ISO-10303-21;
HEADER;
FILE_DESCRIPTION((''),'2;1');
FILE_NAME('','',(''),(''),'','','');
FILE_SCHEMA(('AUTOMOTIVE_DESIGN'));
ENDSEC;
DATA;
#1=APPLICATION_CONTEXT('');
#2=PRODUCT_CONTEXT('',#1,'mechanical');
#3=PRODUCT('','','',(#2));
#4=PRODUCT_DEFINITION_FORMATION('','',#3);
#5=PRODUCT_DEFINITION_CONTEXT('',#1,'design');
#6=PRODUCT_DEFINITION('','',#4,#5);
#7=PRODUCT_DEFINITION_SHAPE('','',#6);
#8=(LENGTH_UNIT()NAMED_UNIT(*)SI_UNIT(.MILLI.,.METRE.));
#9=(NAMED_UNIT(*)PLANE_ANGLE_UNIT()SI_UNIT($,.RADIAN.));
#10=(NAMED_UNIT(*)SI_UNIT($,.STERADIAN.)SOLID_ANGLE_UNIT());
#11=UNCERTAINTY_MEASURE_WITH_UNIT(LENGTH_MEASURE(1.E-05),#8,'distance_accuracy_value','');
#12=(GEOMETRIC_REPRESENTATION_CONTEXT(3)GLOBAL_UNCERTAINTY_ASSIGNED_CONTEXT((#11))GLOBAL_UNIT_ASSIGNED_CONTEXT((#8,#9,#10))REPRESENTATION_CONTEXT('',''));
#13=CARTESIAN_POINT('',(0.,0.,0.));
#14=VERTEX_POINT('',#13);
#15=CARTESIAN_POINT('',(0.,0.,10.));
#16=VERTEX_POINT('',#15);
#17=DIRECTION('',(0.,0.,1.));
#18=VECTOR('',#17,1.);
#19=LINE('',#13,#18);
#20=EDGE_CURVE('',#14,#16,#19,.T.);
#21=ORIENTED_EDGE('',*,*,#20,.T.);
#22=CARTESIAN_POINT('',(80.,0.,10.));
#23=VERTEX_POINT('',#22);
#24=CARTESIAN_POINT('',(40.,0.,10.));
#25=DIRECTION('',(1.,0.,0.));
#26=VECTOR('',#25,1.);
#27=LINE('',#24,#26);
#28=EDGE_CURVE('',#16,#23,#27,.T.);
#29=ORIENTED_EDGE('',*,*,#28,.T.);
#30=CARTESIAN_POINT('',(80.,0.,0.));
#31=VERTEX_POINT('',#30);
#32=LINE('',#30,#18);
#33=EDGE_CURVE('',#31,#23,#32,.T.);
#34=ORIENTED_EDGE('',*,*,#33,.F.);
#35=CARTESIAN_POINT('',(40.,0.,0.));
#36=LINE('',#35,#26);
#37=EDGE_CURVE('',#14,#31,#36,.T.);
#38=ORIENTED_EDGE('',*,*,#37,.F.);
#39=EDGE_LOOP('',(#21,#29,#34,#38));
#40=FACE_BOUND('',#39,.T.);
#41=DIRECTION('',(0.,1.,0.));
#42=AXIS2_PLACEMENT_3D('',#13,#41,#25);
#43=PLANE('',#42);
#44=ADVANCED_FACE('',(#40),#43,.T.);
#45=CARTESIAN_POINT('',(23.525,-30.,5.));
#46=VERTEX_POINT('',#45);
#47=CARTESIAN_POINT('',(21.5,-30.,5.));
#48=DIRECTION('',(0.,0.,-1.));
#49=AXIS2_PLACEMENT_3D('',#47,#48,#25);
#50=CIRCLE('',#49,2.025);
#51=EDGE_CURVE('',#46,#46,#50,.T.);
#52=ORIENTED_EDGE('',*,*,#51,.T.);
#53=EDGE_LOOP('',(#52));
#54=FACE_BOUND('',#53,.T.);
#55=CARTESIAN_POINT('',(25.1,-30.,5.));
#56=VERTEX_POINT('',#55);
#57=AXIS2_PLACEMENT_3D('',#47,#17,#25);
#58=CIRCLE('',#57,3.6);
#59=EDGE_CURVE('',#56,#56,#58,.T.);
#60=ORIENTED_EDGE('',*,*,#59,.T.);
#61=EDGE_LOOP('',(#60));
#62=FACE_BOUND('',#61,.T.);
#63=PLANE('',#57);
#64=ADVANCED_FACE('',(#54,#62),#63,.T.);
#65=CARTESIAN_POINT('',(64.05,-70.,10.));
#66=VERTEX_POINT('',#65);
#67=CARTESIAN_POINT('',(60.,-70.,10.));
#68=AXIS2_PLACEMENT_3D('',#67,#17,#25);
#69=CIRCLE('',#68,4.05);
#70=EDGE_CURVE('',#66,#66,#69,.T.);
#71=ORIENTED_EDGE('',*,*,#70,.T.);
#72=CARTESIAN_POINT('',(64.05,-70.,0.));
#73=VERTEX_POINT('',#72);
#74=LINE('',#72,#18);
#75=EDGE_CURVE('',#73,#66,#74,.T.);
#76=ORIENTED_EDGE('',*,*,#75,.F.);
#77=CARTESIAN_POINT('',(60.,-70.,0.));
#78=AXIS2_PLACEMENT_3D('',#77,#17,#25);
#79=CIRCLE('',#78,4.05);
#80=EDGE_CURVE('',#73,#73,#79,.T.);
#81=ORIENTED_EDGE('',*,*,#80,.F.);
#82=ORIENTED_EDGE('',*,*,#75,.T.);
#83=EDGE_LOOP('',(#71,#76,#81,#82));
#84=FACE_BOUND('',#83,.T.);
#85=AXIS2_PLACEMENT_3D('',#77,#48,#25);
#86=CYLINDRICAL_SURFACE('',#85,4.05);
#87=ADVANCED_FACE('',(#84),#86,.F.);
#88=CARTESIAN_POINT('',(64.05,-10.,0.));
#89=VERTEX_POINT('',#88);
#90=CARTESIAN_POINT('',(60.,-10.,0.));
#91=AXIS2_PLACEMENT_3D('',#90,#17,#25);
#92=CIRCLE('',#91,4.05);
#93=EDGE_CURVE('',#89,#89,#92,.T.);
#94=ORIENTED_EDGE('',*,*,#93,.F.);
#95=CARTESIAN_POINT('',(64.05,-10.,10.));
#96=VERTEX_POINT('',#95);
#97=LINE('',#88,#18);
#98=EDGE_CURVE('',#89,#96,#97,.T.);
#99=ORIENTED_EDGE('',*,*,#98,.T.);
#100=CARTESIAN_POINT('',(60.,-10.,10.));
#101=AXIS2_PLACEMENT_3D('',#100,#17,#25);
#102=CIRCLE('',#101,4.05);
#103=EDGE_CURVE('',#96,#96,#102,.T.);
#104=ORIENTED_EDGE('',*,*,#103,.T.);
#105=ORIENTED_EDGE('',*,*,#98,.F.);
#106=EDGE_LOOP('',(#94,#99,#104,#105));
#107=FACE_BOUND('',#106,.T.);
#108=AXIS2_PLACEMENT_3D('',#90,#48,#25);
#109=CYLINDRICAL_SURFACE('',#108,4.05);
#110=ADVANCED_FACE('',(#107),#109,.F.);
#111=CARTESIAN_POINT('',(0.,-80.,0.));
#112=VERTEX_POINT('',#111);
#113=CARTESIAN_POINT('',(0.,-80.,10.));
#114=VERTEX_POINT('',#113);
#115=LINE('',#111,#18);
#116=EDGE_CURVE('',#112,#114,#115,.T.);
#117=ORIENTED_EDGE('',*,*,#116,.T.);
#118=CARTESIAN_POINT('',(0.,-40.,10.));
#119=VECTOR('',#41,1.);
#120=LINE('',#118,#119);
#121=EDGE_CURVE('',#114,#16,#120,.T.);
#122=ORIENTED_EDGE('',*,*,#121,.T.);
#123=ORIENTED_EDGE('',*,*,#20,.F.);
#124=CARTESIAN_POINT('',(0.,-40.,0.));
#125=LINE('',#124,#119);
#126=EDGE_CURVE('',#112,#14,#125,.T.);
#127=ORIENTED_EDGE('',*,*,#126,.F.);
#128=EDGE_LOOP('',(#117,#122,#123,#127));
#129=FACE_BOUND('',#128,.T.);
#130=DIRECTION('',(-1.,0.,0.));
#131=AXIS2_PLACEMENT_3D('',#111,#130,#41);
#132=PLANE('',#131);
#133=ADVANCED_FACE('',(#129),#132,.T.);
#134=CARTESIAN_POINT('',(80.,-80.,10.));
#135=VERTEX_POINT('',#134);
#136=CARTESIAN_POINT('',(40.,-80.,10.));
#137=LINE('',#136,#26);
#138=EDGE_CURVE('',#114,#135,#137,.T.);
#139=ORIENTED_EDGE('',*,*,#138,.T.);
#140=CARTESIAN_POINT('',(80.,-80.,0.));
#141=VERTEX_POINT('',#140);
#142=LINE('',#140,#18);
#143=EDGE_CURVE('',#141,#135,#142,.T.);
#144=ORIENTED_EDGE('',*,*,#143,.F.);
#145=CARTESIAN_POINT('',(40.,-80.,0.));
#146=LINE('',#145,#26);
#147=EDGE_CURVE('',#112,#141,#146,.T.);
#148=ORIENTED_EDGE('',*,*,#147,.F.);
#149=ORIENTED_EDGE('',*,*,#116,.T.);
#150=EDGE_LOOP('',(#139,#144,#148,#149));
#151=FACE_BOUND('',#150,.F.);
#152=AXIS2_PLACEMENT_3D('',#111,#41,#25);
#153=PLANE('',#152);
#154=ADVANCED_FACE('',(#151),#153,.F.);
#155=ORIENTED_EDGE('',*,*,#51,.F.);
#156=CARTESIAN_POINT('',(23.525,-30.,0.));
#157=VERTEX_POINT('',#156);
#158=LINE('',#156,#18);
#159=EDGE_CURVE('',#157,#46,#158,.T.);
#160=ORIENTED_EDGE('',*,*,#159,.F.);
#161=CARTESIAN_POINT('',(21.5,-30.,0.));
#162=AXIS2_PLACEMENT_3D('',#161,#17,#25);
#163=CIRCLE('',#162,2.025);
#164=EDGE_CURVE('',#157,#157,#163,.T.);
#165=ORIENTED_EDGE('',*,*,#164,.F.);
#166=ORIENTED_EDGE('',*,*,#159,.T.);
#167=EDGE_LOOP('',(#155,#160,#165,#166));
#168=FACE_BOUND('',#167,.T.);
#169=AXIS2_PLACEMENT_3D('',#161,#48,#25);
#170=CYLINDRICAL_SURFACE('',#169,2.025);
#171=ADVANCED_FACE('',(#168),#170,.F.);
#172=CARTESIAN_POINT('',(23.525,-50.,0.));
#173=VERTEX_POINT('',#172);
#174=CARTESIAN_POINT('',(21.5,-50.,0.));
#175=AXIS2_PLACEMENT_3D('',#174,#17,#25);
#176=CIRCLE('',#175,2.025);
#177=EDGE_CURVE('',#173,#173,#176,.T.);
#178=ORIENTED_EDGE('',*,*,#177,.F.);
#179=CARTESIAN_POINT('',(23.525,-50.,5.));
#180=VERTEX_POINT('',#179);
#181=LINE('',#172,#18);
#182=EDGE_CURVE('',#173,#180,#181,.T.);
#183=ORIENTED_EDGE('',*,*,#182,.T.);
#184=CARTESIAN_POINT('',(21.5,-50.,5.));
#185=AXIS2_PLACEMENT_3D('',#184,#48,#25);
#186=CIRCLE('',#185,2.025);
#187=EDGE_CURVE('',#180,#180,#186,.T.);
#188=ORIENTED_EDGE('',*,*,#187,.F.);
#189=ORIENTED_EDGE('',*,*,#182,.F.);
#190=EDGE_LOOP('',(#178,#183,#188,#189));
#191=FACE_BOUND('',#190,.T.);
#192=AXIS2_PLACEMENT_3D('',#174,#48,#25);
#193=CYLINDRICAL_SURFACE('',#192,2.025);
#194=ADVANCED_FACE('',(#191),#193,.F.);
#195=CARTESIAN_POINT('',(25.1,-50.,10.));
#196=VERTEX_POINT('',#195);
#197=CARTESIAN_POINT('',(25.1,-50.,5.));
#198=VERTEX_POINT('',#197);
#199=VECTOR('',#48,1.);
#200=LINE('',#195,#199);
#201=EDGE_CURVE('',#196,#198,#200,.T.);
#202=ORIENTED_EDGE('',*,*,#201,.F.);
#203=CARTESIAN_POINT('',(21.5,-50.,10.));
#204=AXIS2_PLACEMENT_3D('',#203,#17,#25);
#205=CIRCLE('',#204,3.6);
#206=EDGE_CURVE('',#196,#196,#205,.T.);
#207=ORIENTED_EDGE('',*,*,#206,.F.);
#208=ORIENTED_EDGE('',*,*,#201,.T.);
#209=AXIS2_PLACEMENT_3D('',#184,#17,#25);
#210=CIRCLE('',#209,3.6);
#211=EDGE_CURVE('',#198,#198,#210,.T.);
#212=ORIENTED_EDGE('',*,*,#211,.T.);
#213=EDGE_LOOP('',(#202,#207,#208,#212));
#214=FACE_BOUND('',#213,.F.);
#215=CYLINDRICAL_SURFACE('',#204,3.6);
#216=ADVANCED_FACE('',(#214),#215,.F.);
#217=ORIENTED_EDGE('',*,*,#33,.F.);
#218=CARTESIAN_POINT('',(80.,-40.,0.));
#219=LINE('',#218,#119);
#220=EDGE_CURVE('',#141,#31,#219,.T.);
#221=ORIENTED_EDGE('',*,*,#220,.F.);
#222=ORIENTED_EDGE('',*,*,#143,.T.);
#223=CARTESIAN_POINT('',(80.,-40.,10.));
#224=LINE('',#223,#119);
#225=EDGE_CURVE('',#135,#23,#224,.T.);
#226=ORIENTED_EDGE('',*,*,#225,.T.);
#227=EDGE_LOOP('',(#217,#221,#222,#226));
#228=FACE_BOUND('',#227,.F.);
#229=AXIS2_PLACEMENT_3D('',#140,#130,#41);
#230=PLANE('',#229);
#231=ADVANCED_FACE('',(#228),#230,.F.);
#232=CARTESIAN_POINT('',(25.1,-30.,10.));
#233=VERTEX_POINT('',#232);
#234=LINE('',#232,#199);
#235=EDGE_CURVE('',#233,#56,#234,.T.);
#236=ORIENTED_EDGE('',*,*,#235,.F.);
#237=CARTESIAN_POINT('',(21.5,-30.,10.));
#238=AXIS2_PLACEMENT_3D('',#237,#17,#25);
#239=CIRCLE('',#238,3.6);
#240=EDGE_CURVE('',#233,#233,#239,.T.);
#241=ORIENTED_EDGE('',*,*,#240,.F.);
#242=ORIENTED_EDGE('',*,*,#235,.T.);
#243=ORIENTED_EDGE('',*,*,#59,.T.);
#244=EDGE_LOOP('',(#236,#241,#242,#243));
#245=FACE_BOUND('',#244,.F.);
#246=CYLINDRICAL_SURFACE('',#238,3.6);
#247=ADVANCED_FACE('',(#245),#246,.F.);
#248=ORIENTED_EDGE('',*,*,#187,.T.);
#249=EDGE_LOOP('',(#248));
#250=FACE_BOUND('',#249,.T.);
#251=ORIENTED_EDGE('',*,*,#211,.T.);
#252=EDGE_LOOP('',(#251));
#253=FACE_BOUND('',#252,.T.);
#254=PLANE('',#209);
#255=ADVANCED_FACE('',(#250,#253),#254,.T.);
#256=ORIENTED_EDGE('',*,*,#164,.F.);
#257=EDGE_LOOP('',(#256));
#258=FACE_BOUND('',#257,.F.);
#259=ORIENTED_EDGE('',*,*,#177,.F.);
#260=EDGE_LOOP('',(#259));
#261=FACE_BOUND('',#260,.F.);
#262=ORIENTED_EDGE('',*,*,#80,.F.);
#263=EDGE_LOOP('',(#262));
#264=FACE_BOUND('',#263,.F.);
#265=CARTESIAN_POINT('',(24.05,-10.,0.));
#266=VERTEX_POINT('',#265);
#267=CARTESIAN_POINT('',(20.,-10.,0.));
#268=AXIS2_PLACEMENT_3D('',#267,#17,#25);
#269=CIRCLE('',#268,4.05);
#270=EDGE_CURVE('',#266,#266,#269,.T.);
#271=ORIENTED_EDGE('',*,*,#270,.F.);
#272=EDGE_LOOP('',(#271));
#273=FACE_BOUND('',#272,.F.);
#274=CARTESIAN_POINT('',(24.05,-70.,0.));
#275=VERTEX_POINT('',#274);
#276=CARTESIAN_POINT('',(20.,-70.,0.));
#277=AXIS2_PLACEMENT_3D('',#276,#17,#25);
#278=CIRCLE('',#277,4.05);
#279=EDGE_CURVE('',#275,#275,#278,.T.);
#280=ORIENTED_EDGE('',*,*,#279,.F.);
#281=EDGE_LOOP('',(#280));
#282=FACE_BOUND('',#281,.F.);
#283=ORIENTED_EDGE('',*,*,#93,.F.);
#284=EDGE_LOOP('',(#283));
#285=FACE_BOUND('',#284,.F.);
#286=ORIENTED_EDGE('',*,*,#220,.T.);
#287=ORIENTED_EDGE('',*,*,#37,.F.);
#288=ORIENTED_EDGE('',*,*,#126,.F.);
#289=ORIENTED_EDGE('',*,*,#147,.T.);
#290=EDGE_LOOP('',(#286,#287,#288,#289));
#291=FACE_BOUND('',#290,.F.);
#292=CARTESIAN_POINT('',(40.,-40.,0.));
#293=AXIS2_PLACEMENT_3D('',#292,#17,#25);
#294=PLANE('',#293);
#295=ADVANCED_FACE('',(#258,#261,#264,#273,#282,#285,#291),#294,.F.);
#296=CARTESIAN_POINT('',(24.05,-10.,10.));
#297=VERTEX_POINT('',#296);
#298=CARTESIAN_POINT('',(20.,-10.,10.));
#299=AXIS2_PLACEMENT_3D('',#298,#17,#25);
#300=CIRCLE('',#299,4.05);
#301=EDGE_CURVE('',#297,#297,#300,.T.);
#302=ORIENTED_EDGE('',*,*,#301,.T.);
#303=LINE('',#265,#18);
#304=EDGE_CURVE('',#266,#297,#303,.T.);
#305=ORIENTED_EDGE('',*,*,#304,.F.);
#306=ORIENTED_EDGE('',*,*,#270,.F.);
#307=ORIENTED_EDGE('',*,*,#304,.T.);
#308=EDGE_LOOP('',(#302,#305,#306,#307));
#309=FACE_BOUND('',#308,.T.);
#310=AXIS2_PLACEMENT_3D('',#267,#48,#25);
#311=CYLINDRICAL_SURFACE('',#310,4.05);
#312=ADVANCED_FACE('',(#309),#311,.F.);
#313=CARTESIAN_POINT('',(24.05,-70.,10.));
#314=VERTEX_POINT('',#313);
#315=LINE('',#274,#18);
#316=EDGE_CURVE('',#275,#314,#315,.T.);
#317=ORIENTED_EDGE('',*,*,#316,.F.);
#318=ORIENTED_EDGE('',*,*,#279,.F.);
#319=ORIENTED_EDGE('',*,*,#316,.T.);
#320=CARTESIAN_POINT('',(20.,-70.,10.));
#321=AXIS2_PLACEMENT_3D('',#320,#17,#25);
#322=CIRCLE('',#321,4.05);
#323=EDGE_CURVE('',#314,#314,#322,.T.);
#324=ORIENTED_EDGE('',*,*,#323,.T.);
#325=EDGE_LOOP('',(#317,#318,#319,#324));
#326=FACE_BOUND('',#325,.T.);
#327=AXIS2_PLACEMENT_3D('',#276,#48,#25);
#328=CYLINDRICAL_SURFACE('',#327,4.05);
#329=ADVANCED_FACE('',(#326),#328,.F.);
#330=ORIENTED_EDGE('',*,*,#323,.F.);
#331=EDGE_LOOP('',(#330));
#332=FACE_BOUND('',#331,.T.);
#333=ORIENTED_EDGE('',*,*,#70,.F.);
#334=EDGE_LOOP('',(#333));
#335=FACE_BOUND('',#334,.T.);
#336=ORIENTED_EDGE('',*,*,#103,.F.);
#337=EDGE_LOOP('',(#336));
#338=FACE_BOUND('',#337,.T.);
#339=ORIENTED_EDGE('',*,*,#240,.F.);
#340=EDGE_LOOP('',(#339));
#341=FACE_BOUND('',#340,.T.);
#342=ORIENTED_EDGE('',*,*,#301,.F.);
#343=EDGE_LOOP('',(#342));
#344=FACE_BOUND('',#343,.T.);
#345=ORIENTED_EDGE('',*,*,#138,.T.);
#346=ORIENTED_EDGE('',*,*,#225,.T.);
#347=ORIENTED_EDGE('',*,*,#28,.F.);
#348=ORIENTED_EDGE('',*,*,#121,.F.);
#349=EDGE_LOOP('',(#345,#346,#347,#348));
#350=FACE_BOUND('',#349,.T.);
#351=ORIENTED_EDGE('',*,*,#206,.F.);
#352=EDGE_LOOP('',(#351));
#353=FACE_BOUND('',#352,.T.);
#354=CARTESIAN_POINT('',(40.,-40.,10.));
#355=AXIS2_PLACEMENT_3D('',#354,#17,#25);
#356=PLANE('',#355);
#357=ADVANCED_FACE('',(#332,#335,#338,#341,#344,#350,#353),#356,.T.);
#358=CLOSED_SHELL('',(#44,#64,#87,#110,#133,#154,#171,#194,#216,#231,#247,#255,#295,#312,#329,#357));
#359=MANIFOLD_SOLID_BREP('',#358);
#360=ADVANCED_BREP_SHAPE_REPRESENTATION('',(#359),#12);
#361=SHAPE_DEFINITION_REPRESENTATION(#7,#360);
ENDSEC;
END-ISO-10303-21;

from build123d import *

# Parameters (mm, degrees)
F0_W     = 80
F0_H     = 80
F0_R     = 4.05
F0_R_2   = 2.025
F1_DEPTH = 10
F2_R     = 3.6
F3_DEPTH = 5


with BuildPart() as f1:
    # F0 (on Top) → F1 (new body)
    with BuildSketch(Plane.XY):
        with Locations((40, -40)):
            Rectangle(F0_W, F0_H)
        with Locations((20, -70)):
            Circle(F0_R, mode=Mode.SUBTRACT)
        with Locations((21.5, -50)):
            Circle(F0_R_2, mode=Mode.SUBTRACT)
        with Locations((60, -70)):
            Circle(F0_R, mode=Mode.SUBTRACT)
        with Locations((21.5, -30)):
            Circle(F0_R_2, mode=Mode.SUBTRACT)
        with Locations((20, -10)):
            Circle(F0_R, mode=Mode.SUBTRACT)
        with Locations((60, -10)):
            Circle(F0_R, mode=Mode.SUBTRACT)
    extrude(amount=F1_DEPTH)

    # F2 (on face) → F3 (cut)
    with BuildSketch(Plane.XY.offset(10)):
        with Locations((21.5, -30)):
            Circle(F2_R)
        with Locations((21.5, -50)):
            Circle(F2_R)
    extrude(amount=-F3_DEPTH, mode=Mode.SUBTRACT)


solid = f1.part
